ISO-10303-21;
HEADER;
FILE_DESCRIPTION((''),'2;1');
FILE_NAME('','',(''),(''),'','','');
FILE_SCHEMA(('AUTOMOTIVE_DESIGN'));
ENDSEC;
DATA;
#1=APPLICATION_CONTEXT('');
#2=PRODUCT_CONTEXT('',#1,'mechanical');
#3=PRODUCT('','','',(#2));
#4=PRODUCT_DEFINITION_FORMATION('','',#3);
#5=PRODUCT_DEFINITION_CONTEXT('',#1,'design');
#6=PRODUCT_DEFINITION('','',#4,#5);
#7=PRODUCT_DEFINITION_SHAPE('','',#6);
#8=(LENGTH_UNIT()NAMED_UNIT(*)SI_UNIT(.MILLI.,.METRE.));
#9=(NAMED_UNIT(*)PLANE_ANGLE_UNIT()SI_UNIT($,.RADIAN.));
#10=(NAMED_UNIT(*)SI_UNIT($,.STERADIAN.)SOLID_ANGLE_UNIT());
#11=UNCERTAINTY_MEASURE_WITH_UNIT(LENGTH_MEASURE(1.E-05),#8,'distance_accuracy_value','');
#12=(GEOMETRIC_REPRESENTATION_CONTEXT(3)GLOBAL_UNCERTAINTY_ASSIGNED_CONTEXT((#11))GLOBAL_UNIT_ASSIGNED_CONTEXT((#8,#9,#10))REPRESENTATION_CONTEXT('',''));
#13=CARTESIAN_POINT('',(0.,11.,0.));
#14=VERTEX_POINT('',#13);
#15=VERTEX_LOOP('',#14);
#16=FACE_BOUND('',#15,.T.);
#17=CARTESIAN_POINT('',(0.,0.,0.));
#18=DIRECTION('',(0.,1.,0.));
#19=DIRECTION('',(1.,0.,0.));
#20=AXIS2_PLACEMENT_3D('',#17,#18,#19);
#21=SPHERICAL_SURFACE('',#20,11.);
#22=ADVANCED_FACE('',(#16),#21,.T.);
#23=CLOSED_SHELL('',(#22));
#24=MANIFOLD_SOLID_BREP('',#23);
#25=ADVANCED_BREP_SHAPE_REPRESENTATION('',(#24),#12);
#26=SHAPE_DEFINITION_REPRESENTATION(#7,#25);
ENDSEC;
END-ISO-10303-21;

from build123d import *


with BuildPart() as part:
    # Sketch1 → Revolve2 (revolve)
    with BuildSketch(Plane.XY):
        with BuildLine():
            Line((0, 11), (0, -11))
            ThreePointArc((0, -11), (-11, 0), (0, 11))
        make_face()
    revolve(axis=Axis((0, 11, 0), (0, -1, 0)))


solid = part.part
